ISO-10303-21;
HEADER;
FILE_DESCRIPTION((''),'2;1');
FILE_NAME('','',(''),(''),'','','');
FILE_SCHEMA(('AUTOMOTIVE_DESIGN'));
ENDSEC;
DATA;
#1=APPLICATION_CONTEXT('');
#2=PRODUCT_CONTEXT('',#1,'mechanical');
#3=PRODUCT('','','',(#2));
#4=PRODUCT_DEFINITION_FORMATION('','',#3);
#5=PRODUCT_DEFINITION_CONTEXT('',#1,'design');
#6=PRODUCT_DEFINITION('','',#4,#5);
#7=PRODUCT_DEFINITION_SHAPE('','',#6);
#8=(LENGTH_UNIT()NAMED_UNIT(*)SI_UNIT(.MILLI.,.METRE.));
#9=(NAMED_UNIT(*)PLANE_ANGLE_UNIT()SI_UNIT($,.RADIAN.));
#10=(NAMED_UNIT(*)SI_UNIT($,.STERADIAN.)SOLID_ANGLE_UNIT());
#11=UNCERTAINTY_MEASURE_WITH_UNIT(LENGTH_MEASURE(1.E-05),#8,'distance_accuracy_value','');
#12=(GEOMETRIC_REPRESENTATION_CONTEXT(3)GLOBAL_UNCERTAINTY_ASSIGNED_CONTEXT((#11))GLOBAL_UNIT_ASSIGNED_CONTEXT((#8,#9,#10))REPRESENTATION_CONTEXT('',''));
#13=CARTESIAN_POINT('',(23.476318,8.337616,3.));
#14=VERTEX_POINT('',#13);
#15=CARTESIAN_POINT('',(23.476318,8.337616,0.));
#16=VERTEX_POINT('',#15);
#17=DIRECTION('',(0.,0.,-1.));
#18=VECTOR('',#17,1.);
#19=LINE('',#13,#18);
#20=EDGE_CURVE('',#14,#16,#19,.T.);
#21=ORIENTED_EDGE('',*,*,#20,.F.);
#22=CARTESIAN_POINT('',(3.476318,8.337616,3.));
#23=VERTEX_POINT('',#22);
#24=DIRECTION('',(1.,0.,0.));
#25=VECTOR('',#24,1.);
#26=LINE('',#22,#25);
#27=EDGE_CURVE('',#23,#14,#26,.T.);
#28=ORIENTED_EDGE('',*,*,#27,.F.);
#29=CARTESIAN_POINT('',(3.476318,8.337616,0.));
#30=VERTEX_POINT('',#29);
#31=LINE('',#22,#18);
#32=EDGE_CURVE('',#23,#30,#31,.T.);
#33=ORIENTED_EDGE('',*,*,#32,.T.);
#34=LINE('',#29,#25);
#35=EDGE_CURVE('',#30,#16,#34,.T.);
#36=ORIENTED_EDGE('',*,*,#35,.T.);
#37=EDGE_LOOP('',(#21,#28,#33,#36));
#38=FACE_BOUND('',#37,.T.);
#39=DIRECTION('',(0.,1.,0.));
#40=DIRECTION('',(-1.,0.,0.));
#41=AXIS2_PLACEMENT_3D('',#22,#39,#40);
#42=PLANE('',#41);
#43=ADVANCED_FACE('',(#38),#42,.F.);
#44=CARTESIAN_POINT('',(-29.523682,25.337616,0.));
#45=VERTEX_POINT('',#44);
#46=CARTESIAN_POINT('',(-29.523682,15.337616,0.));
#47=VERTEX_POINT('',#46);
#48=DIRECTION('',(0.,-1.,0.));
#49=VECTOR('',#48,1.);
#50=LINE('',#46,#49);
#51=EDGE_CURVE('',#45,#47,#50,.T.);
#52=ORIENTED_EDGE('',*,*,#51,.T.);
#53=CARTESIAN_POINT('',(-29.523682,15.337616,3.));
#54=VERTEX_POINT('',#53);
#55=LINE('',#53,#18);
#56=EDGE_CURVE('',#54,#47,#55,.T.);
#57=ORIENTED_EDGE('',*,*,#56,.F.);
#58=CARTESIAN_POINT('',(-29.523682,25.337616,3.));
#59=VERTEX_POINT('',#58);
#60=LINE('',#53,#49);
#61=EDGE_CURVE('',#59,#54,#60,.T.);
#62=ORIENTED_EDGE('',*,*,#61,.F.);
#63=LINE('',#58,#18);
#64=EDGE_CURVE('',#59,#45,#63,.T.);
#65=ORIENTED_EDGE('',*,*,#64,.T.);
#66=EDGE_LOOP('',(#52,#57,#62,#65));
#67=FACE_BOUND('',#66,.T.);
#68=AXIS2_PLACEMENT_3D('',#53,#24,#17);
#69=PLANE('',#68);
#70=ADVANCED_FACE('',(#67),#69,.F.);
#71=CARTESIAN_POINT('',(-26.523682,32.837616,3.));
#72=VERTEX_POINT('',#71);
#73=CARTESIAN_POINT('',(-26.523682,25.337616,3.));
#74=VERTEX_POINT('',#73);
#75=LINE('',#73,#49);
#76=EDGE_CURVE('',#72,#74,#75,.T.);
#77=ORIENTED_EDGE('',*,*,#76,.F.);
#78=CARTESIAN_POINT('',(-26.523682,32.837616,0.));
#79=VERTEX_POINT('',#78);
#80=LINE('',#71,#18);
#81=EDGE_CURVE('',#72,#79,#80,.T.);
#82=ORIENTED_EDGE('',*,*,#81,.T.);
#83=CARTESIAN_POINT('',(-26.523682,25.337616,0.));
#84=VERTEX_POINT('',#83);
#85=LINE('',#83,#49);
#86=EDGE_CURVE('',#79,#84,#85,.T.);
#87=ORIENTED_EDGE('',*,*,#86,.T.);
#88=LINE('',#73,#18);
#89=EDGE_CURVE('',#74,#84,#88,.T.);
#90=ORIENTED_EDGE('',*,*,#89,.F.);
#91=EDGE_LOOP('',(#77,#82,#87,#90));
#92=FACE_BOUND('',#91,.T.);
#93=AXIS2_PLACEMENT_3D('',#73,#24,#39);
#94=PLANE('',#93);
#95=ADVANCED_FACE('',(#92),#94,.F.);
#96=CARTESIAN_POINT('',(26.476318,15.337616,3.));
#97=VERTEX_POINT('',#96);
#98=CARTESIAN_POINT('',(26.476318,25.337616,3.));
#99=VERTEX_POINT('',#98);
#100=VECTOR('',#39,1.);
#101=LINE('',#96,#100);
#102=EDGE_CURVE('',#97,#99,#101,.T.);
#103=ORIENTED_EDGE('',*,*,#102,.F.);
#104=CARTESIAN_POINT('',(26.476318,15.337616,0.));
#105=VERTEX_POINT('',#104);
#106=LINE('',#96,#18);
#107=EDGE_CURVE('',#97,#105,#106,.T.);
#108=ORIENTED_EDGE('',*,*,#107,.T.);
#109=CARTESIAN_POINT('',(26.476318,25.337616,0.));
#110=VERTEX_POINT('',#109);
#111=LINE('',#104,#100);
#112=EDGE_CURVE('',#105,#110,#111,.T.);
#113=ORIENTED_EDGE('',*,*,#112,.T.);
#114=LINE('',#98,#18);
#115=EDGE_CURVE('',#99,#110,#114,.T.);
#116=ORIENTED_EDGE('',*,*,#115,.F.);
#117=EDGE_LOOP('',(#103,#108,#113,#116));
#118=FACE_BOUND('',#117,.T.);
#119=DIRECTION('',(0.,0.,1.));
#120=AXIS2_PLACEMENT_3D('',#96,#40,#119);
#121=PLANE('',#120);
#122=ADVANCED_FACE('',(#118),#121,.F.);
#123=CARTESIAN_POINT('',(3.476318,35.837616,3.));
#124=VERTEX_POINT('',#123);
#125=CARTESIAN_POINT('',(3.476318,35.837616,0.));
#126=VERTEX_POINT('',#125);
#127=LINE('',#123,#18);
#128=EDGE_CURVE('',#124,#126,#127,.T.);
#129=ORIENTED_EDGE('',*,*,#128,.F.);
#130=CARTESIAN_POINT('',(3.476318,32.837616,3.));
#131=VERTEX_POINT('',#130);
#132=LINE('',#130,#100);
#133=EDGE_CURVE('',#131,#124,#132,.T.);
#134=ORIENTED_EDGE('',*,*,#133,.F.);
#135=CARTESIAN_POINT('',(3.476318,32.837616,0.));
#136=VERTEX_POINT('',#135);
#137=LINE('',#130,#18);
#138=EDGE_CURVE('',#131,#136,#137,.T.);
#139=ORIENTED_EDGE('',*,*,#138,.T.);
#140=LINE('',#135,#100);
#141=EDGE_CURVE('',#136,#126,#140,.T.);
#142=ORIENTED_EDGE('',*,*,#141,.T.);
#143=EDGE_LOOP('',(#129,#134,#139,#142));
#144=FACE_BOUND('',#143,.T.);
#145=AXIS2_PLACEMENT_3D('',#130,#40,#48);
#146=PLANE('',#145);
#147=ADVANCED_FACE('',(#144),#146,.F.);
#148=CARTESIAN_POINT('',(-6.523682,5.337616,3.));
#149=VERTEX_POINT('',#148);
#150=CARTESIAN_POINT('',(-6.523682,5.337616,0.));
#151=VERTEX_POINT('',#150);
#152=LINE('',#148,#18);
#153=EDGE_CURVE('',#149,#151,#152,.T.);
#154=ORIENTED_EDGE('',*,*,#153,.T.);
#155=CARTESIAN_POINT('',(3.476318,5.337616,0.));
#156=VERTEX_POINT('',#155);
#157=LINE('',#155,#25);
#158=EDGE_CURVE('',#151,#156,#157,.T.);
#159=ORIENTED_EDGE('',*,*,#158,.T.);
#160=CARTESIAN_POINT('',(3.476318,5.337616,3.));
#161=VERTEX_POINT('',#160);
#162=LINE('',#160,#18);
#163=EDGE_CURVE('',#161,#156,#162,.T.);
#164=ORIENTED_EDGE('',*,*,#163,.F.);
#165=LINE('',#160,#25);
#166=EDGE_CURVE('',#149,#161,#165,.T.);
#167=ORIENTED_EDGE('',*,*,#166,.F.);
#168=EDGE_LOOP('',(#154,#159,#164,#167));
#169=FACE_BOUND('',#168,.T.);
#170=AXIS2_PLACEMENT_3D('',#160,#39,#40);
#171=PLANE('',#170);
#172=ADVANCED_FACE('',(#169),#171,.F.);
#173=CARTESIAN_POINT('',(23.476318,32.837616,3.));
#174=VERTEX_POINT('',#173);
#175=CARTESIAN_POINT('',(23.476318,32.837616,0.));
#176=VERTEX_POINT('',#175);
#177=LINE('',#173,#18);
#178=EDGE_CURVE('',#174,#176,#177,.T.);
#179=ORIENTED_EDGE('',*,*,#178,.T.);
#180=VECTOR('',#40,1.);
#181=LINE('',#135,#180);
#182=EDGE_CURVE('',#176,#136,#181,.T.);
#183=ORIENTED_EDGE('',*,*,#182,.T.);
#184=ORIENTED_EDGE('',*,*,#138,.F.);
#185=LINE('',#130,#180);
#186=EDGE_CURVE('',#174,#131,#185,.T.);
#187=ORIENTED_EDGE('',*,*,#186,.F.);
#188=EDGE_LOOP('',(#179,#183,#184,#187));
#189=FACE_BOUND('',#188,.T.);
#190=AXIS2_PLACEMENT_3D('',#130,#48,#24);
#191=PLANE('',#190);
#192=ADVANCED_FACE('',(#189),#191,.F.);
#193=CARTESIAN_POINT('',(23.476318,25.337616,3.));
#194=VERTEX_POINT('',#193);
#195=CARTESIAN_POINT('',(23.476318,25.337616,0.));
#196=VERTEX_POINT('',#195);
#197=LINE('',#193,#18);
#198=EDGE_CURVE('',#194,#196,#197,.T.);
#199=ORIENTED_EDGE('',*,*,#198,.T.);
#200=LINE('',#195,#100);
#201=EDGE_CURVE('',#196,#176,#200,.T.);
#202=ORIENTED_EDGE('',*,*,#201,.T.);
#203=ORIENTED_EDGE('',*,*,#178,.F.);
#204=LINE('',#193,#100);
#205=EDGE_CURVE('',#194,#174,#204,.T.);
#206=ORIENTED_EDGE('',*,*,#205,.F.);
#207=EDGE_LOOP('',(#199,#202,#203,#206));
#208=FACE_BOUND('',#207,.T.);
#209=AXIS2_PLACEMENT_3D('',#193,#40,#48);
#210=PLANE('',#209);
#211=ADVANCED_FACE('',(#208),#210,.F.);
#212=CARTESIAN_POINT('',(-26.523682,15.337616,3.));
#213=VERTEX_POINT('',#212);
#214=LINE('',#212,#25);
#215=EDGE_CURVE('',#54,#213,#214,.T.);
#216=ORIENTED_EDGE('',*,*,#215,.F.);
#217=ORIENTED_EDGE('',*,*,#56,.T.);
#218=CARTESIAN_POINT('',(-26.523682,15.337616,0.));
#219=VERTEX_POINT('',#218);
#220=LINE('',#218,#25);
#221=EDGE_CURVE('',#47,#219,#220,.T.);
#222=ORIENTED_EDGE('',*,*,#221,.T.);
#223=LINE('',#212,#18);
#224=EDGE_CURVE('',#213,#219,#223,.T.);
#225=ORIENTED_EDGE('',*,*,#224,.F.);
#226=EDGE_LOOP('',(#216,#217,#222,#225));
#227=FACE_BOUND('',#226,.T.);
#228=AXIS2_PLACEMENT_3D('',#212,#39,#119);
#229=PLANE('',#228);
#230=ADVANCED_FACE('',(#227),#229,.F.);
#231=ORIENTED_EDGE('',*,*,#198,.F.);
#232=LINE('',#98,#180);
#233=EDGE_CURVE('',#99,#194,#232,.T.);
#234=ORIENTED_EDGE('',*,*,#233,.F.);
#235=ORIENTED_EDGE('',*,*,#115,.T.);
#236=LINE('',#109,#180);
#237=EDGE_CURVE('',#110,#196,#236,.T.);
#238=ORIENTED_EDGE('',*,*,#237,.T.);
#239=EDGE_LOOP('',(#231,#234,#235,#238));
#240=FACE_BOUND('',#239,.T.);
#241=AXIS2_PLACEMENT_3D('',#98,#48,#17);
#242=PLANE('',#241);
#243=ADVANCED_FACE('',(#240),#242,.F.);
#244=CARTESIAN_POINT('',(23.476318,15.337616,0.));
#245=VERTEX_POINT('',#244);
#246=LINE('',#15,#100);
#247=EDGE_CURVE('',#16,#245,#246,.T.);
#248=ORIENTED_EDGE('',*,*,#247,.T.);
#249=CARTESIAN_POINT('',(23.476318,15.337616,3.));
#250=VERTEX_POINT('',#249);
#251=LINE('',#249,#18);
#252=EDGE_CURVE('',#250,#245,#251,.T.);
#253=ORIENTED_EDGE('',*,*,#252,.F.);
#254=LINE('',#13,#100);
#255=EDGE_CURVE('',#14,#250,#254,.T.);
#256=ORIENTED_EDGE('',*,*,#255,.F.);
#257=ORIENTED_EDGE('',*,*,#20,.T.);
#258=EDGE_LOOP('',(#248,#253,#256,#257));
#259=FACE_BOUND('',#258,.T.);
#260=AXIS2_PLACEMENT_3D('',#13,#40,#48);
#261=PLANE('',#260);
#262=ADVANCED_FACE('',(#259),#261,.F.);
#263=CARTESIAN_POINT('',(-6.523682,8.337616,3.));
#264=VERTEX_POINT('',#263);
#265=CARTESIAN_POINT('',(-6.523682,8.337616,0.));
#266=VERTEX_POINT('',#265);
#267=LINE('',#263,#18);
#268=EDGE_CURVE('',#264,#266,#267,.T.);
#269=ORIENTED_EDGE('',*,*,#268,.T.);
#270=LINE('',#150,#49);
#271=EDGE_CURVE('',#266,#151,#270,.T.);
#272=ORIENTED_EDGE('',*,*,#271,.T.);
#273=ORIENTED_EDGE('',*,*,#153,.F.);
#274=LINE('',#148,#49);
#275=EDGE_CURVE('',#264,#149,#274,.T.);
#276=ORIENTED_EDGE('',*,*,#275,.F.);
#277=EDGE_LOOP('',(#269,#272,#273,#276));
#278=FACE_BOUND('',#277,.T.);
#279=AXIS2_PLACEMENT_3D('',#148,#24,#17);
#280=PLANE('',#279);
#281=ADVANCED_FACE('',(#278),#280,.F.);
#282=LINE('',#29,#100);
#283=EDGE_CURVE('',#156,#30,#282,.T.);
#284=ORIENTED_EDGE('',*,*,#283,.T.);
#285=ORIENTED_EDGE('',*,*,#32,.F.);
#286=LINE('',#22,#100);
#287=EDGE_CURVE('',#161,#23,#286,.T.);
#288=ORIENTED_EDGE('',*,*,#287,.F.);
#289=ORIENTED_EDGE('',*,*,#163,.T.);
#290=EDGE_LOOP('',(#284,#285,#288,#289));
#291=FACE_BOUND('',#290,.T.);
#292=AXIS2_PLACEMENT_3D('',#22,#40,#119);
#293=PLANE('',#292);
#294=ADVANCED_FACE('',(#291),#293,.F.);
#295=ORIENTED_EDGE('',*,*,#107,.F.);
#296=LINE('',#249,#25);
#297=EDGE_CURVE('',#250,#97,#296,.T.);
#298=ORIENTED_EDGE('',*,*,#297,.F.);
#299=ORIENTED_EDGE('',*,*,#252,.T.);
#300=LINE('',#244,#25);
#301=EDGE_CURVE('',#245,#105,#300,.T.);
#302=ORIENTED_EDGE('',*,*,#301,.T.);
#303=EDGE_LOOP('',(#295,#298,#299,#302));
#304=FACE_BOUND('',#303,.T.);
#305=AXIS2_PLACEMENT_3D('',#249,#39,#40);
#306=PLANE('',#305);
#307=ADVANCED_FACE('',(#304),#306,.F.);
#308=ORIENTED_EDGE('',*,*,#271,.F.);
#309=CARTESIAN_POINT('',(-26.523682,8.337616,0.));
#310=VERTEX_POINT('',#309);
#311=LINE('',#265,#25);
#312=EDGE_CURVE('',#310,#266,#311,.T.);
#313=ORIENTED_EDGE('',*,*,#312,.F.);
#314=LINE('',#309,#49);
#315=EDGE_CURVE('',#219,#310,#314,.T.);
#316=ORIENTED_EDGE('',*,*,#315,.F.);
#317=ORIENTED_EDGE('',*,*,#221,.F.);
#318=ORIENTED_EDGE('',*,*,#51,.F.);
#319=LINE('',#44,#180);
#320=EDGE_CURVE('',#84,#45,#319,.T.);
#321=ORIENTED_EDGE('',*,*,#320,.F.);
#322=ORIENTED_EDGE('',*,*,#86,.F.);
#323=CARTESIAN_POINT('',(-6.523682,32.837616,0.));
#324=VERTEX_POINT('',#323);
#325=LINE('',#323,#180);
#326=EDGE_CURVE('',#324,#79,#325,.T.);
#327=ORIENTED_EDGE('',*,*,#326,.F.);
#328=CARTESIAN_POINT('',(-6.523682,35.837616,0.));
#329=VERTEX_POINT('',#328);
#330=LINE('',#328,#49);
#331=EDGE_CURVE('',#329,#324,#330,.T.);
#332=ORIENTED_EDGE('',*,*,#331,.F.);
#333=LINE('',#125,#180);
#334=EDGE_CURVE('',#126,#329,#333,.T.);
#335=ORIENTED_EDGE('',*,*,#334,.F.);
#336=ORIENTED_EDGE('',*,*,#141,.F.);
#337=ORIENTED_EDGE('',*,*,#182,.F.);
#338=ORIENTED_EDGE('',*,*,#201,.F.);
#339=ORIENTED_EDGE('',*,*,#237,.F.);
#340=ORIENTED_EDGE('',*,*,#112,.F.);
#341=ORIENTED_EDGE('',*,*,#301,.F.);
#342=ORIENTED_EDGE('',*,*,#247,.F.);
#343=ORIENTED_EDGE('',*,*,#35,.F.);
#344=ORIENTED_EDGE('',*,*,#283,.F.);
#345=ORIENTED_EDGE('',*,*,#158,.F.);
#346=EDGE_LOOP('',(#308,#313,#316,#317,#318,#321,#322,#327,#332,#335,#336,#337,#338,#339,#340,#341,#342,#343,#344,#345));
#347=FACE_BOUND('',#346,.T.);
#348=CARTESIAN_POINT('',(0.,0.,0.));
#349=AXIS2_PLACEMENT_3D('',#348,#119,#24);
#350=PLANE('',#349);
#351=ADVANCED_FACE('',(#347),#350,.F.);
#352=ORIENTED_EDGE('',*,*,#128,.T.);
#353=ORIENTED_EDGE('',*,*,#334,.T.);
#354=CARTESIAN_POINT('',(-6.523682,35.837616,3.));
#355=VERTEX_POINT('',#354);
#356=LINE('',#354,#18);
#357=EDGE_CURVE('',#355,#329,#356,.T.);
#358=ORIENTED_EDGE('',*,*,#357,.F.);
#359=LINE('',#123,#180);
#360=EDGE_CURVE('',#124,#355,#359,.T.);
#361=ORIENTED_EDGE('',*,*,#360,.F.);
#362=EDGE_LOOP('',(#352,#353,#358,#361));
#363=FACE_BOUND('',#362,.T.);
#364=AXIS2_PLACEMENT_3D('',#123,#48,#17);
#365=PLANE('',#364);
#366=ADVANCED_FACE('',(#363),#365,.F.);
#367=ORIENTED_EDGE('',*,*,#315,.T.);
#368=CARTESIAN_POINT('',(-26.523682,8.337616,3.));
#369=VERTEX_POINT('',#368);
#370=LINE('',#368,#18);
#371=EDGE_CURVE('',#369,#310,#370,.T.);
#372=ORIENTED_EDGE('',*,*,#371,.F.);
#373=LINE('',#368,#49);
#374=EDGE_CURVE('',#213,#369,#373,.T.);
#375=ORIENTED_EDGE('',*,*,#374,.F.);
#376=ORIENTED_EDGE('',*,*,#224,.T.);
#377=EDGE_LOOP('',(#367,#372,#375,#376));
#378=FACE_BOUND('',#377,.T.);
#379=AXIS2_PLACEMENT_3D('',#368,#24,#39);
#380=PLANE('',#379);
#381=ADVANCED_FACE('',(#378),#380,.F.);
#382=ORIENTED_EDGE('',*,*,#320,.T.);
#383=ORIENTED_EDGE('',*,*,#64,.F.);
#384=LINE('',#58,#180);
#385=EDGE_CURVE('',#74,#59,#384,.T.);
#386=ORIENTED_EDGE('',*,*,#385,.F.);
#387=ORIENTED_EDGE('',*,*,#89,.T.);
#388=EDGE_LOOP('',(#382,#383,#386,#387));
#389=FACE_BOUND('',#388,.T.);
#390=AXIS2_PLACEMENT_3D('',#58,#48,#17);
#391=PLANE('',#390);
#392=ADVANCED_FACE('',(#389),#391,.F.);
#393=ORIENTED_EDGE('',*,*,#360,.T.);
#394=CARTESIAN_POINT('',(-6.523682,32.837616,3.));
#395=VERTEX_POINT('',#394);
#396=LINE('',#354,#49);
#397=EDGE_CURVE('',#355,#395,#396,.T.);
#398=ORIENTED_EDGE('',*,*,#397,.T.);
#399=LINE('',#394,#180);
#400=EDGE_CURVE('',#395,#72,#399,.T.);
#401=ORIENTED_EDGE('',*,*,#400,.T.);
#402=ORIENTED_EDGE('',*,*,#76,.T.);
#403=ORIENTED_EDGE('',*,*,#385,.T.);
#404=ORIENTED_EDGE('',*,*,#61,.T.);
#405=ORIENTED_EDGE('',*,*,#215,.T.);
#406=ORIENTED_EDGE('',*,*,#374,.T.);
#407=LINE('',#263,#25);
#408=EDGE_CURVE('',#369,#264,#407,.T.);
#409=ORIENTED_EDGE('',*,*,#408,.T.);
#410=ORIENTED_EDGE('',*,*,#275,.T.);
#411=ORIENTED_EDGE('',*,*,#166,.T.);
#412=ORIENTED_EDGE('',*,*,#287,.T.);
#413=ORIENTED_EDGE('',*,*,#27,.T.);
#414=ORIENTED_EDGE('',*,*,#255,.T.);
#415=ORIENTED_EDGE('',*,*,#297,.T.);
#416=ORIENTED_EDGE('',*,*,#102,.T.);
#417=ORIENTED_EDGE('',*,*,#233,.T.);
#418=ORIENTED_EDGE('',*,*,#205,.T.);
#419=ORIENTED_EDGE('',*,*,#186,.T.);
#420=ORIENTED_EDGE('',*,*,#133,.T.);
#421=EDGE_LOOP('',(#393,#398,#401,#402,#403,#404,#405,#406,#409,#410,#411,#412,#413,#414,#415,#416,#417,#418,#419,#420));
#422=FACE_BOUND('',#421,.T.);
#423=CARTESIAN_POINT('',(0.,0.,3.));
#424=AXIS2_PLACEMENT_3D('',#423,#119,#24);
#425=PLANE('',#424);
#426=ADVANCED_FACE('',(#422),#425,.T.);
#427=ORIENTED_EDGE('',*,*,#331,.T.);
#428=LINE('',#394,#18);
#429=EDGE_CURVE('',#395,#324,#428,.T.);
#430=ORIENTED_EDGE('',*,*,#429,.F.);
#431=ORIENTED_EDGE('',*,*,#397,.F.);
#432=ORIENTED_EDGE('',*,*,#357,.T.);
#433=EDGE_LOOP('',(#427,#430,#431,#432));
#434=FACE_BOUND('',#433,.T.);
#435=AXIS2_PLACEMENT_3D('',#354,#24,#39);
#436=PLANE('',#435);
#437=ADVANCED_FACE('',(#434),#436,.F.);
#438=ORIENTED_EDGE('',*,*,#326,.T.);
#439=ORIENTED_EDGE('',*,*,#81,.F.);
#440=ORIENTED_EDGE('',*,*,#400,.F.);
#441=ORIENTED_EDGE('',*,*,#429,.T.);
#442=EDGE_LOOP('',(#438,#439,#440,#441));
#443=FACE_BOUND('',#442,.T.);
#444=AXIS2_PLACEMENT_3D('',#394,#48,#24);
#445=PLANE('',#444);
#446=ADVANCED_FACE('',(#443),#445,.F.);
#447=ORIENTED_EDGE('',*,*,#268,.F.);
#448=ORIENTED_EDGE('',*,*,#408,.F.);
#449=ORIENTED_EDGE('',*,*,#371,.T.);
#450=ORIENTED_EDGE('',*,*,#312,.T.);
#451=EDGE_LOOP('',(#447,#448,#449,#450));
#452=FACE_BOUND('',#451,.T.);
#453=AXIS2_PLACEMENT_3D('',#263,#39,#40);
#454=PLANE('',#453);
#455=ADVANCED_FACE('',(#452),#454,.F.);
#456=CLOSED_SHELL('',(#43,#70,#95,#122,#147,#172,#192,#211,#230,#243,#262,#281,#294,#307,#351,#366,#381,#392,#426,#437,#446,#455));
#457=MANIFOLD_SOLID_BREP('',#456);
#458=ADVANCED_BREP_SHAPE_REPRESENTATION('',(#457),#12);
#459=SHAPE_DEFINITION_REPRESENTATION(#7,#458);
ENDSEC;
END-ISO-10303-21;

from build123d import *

# Parameters (mm, degrees)
BOSS_EXTRUDE1_DEPTH = 3


with BuildPart() as part:
    # Sketch1 → Boss-Extrude1 (new body)
    with BuildSketch(Plane(origin=(0, 0, 0), x_dir=(-1, 0, 0), z_dir=(0, 0, 1))):
        Polygon((-3.476318152, -8.337615564), (-3.476318152, -5.337615564), (6.523681848, -5.337615564), (6.523681848, -8.337615564), (26.523681848, -8.337615564), (26.523681848, -15.337615564), (29.523681848, -15.337615564), (29.523681848, -25.337615564), (26.523681848, -25.337615564), (26.523681848, -32.837615564), (6.523681848, -32.837615564), (6.523681848, -35.837615564), (-3.476318152, -35.837615564), (-3.476318152, -32.837615564), (-23.476318152, -32.837615564), (-23.476318152, -25.337615564), (-26.476318152, -25.337615564), (-26.476318152, -15.337615564), (-23.476318152, -15.337615564), (-23.476318152, -8.337615564), align=None)
    extrude(amount=BOSS_EXTRUDE1_DEPTH)


solid = part.part
